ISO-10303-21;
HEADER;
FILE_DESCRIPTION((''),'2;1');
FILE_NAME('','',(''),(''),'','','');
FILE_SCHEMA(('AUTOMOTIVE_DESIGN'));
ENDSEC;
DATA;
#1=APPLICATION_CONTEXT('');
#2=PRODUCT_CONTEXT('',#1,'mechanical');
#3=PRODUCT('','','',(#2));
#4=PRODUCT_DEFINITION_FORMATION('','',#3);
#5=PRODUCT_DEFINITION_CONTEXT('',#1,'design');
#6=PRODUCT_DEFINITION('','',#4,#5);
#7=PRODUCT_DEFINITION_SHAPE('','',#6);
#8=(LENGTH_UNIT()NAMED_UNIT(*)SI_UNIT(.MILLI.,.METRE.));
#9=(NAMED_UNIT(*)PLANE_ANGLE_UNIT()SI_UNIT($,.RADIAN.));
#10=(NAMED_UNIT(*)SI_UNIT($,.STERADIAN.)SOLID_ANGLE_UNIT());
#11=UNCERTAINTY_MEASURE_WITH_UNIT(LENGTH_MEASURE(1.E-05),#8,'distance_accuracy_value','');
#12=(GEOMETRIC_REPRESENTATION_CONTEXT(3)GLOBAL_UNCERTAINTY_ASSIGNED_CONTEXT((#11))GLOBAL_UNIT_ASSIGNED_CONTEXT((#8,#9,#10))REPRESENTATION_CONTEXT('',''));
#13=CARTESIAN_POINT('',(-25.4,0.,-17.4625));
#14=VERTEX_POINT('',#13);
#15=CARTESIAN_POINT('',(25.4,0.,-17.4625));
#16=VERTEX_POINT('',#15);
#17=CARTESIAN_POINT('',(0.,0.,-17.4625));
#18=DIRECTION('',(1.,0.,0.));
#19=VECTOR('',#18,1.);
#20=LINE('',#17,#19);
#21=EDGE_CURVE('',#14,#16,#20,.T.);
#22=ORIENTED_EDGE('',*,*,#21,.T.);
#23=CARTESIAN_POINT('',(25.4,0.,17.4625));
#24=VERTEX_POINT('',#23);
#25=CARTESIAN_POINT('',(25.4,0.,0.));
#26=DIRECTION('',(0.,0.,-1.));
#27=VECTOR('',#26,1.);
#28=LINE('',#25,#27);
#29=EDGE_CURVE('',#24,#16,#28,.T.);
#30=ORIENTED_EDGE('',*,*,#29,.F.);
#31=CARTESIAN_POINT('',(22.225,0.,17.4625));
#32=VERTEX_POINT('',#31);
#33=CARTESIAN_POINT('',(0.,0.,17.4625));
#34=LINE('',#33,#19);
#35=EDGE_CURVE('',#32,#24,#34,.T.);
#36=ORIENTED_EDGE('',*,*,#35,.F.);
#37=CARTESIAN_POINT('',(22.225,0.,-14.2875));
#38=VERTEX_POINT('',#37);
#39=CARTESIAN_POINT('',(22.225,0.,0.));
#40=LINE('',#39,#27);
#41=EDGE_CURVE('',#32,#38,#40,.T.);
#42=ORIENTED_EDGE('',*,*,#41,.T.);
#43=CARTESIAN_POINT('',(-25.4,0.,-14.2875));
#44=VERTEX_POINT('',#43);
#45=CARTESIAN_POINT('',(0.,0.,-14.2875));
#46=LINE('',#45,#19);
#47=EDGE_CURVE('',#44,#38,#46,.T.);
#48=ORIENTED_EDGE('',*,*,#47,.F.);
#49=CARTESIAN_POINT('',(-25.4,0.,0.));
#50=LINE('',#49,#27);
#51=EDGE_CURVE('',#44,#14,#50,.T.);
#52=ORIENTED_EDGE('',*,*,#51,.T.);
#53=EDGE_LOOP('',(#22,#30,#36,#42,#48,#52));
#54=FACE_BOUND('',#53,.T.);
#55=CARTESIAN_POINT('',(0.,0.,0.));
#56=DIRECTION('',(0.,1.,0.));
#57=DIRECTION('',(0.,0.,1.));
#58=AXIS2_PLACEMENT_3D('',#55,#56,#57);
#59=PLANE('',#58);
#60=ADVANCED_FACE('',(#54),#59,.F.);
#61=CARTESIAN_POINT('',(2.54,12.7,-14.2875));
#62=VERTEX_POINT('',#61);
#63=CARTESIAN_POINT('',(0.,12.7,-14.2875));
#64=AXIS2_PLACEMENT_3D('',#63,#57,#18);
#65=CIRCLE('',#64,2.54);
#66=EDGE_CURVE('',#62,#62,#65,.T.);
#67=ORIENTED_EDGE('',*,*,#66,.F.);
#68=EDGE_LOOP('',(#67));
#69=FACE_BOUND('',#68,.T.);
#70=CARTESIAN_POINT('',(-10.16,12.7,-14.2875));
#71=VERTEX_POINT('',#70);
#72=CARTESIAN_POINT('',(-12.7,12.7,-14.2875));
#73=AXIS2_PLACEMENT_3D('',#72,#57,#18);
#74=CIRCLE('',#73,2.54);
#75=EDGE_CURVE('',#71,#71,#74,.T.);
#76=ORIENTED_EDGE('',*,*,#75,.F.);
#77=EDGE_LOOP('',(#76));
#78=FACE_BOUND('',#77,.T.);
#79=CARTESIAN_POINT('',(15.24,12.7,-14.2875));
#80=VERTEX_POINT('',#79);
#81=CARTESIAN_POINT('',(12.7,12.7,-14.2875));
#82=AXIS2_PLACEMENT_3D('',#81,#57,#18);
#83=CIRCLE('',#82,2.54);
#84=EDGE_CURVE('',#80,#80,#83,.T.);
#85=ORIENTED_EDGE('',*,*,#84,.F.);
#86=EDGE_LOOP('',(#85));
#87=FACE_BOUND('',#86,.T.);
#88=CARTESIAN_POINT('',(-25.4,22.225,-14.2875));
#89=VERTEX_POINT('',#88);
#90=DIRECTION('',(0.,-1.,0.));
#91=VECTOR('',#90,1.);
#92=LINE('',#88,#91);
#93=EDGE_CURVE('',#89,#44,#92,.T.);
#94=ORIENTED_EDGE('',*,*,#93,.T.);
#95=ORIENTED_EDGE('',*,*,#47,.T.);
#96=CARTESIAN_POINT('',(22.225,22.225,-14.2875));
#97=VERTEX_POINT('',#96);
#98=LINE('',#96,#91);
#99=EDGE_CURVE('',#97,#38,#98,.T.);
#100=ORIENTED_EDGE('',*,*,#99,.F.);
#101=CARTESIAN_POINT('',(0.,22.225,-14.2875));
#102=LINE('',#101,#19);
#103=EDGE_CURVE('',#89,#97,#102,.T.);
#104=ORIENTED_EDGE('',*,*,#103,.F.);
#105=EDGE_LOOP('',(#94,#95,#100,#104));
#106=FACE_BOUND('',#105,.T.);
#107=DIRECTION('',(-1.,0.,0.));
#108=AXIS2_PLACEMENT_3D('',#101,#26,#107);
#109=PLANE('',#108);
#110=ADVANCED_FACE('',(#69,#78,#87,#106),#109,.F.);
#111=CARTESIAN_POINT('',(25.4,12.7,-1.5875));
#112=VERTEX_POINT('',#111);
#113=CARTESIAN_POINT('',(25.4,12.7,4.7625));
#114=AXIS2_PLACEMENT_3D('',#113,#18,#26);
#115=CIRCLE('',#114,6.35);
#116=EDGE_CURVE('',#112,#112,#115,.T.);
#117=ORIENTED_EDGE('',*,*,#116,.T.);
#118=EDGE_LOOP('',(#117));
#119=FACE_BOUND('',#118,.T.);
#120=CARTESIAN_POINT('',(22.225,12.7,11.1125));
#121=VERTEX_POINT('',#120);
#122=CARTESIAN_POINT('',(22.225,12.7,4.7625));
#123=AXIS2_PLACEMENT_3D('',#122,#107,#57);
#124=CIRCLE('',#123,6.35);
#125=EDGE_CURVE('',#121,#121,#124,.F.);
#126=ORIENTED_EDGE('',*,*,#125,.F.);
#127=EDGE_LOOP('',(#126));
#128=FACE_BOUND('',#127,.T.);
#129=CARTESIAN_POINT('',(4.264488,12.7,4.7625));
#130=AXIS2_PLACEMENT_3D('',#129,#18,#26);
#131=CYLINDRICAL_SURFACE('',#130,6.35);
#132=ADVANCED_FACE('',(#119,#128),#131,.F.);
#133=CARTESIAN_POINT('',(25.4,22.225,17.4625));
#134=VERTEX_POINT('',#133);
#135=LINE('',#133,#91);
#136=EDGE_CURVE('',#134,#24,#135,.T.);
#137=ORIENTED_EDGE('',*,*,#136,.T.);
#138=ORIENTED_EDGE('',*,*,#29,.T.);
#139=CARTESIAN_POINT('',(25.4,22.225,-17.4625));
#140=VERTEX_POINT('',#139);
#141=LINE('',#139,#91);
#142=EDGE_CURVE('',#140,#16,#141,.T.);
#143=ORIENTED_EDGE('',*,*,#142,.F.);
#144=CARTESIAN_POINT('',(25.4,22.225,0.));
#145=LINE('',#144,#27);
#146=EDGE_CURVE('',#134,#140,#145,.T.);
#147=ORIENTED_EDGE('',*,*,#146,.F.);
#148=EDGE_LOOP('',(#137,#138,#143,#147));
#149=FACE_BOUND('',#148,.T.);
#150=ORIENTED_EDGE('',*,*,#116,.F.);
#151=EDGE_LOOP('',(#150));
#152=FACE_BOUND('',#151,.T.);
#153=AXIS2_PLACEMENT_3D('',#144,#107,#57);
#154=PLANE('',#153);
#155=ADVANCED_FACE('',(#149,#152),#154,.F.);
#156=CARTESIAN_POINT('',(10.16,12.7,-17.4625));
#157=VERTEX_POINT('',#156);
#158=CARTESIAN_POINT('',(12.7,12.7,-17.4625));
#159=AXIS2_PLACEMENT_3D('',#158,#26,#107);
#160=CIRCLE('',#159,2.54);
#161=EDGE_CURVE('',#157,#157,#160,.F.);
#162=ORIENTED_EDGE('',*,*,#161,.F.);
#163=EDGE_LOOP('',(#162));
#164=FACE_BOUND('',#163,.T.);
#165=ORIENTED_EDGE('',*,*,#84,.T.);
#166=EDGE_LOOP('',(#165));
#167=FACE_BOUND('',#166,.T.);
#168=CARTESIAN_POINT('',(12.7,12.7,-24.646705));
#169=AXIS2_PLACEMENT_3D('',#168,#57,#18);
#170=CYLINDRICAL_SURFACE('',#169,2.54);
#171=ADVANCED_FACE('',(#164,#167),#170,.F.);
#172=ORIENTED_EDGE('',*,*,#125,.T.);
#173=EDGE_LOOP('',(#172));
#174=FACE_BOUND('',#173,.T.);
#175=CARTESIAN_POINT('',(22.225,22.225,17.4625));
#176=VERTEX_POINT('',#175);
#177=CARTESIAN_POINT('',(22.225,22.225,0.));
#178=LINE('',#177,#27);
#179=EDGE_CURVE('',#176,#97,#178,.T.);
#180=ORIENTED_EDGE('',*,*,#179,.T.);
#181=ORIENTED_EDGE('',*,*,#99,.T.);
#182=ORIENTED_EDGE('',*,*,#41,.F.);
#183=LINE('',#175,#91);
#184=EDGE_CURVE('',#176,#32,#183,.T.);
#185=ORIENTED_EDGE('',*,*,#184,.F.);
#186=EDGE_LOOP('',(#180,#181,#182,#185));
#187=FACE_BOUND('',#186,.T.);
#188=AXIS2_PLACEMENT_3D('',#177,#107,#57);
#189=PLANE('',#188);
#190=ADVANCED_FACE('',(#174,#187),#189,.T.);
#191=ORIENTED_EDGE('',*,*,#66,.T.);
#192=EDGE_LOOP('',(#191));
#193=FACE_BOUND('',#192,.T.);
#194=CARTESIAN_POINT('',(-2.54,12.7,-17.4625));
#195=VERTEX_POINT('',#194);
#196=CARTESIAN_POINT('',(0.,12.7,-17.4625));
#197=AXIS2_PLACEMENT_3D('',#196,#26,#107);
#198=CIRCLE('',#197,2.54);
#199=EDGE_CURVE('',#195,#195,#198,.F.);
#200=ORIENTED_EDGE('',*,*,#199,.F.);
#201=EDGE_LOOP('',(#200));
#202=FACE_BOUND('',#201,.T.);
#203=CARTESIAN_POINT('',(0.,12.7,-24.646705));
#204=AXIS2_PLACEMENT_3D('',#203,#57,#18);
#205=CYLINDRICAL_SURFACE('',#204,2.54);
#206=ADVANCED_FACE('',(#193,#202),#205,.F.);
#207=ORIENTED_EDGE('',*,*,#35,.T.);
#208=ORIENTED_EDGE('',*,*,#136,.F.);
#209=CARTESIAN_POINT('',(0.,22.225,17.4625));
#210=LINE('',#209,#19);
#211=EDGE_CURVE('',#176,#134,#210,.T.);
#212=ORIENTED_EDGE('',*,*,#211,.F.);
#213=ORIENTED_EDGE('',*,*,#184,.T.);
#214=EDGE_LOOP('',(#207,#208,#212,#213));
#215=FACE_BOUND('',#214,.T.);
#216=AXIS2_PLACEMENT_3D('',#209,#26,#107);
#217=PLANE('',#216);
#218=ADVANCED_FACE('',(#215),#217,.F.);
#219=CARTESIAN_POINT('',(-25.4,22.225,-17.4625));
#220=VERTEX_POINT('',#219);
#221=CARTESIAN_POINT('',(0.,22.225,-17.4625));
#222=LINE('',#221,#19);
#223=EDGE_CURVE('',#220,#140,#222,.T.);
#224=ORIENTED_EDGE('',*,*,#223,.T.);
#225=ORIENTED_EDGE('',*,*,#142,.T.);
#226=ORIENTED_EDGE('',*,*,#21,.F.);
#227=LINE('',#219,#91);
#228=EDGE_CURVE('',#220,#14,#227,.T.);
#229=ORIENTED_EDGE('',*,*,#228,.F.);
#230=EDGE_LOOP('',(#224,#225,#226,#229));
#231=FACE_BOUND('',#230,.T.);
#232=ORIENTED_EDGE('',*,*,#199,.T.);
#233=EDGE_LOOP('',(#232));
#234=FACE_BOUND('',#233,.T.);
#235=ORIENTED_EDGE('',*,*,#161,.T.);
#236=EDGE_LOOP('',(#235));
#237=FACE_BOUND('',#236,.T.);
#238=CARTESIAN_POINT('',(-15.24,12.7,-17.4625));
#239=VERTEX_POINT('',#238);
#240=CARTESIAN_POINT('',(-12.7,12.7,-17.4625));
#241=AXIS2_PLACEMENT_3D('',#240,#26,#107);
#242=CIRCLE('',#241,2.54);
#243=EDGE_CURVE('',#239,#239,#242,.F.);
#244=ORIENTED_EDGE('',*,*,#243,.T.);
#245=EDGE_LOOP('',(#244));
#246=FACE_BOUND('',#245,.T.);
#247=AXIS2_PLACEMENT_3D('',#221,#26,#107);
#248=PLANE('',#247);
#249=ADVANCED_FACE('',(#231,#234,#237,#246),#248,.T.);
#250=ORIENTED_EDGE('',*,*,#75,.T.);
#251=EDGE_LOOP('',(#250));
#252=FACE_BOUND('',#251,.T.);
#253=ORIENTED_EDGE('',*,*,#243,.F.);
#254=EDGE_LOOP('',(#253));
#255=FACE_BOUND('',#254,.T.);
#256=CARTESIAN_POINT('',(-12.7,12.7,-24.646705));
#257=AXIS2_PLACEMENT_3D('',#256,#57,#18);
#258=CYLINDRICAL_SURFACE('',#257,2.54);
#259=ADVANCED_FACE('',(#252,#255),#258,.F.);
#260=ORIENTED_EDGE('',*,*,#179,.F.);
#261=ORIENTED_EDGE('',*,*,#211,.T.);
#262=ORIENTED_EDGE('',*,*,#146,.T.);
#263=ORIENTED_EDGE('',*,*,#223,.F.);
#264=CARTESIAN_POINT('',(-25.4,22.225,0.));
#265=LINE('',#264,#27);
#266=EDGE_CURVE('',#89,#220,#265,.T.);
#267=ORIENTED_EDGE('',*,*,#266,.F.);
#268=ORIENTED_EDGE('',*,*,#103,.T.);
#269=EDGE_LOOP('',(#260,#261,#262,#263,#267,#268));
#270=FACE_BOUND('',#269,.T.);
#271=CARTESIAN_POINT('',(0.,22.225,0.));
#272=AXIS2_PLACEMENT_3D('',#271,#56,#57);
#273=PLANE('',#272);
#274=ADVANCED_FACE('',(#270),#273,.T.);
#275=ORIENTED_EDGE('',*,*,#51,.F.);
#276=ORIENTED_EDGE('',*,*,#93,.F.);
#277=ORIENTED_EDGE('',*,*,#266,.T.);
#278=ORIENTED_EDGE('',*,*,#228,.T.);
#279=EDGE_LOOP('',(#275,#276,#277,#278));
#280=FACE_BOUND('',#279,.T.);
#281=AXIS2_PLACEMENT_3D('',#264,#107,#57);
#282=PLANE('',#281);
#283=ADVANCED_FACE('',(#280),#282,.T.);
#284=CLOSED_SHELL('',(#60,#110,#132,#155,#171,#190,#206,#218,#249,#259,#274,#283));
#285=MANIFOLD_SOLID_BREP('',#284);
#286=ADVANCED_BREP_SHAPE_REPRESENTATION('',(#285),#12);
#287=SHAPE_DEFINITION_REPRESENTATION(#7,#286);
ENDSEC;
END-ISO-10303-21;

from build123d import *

# Parameters (mm, degrees)
BOSS_EXTRUDE1_DEPTH = 22.225
SKETCH2_R           = 6.35
CUT_EXTRUDE1_DEPTH  = 3.175
SKETCH3_R           = 2.54
CUT_EXTRUDE2_DEPTH  = 3.175


with BuildPart() as part:
    # Sketch1 → Boss-Extrude1 (new body)
    with BuildSketch(Plane(origin=(0, 0, 0), x_dir=(1, 0, 0), z_dir=(0, 1, 0))):
        Polygon((22.225, 14.2875), (22.225, -17.4625), (25.4, -17.4625), (25.4, 17.4625), (-25.4, 17.4625), (-25.4, 14.2875), align=None)
    extrude(amount=BOSS_EXTRUDE1_DEPTH)

    # Sketch2 → Cut-Extrude1 (cut)
    with BuildSketch(Plane(origin=(25.4, 0, 0), x_dir=(0, 0, -1), z_dir=(1, 0, 0))):
        with Locations((-4.7625, 12.7)):
            Circle(SKETCH2_R)
    extrude(amount=-CUT_EXTRUDE1_DEPTH, mode=Mode.SUBTRACT)

    # Sketch3 → Cut-Extrude2 (cut)
    with BuildSketch(Plane.XY.offset(-14.2875)):
        with Locations((-12.7, 12.7)):
            Circle(SKETCH3_R)
        with Locations((0, 12.7)):
            Circle(SKETCH3_R)
        with Locations((12.7, 12.7)):
            Circle(SKETCH3_R)
    extrude(amount=-CUT_EXTRUDE2_DEPTH, mode=Mode.SUBTRACT)


solid = part.part
